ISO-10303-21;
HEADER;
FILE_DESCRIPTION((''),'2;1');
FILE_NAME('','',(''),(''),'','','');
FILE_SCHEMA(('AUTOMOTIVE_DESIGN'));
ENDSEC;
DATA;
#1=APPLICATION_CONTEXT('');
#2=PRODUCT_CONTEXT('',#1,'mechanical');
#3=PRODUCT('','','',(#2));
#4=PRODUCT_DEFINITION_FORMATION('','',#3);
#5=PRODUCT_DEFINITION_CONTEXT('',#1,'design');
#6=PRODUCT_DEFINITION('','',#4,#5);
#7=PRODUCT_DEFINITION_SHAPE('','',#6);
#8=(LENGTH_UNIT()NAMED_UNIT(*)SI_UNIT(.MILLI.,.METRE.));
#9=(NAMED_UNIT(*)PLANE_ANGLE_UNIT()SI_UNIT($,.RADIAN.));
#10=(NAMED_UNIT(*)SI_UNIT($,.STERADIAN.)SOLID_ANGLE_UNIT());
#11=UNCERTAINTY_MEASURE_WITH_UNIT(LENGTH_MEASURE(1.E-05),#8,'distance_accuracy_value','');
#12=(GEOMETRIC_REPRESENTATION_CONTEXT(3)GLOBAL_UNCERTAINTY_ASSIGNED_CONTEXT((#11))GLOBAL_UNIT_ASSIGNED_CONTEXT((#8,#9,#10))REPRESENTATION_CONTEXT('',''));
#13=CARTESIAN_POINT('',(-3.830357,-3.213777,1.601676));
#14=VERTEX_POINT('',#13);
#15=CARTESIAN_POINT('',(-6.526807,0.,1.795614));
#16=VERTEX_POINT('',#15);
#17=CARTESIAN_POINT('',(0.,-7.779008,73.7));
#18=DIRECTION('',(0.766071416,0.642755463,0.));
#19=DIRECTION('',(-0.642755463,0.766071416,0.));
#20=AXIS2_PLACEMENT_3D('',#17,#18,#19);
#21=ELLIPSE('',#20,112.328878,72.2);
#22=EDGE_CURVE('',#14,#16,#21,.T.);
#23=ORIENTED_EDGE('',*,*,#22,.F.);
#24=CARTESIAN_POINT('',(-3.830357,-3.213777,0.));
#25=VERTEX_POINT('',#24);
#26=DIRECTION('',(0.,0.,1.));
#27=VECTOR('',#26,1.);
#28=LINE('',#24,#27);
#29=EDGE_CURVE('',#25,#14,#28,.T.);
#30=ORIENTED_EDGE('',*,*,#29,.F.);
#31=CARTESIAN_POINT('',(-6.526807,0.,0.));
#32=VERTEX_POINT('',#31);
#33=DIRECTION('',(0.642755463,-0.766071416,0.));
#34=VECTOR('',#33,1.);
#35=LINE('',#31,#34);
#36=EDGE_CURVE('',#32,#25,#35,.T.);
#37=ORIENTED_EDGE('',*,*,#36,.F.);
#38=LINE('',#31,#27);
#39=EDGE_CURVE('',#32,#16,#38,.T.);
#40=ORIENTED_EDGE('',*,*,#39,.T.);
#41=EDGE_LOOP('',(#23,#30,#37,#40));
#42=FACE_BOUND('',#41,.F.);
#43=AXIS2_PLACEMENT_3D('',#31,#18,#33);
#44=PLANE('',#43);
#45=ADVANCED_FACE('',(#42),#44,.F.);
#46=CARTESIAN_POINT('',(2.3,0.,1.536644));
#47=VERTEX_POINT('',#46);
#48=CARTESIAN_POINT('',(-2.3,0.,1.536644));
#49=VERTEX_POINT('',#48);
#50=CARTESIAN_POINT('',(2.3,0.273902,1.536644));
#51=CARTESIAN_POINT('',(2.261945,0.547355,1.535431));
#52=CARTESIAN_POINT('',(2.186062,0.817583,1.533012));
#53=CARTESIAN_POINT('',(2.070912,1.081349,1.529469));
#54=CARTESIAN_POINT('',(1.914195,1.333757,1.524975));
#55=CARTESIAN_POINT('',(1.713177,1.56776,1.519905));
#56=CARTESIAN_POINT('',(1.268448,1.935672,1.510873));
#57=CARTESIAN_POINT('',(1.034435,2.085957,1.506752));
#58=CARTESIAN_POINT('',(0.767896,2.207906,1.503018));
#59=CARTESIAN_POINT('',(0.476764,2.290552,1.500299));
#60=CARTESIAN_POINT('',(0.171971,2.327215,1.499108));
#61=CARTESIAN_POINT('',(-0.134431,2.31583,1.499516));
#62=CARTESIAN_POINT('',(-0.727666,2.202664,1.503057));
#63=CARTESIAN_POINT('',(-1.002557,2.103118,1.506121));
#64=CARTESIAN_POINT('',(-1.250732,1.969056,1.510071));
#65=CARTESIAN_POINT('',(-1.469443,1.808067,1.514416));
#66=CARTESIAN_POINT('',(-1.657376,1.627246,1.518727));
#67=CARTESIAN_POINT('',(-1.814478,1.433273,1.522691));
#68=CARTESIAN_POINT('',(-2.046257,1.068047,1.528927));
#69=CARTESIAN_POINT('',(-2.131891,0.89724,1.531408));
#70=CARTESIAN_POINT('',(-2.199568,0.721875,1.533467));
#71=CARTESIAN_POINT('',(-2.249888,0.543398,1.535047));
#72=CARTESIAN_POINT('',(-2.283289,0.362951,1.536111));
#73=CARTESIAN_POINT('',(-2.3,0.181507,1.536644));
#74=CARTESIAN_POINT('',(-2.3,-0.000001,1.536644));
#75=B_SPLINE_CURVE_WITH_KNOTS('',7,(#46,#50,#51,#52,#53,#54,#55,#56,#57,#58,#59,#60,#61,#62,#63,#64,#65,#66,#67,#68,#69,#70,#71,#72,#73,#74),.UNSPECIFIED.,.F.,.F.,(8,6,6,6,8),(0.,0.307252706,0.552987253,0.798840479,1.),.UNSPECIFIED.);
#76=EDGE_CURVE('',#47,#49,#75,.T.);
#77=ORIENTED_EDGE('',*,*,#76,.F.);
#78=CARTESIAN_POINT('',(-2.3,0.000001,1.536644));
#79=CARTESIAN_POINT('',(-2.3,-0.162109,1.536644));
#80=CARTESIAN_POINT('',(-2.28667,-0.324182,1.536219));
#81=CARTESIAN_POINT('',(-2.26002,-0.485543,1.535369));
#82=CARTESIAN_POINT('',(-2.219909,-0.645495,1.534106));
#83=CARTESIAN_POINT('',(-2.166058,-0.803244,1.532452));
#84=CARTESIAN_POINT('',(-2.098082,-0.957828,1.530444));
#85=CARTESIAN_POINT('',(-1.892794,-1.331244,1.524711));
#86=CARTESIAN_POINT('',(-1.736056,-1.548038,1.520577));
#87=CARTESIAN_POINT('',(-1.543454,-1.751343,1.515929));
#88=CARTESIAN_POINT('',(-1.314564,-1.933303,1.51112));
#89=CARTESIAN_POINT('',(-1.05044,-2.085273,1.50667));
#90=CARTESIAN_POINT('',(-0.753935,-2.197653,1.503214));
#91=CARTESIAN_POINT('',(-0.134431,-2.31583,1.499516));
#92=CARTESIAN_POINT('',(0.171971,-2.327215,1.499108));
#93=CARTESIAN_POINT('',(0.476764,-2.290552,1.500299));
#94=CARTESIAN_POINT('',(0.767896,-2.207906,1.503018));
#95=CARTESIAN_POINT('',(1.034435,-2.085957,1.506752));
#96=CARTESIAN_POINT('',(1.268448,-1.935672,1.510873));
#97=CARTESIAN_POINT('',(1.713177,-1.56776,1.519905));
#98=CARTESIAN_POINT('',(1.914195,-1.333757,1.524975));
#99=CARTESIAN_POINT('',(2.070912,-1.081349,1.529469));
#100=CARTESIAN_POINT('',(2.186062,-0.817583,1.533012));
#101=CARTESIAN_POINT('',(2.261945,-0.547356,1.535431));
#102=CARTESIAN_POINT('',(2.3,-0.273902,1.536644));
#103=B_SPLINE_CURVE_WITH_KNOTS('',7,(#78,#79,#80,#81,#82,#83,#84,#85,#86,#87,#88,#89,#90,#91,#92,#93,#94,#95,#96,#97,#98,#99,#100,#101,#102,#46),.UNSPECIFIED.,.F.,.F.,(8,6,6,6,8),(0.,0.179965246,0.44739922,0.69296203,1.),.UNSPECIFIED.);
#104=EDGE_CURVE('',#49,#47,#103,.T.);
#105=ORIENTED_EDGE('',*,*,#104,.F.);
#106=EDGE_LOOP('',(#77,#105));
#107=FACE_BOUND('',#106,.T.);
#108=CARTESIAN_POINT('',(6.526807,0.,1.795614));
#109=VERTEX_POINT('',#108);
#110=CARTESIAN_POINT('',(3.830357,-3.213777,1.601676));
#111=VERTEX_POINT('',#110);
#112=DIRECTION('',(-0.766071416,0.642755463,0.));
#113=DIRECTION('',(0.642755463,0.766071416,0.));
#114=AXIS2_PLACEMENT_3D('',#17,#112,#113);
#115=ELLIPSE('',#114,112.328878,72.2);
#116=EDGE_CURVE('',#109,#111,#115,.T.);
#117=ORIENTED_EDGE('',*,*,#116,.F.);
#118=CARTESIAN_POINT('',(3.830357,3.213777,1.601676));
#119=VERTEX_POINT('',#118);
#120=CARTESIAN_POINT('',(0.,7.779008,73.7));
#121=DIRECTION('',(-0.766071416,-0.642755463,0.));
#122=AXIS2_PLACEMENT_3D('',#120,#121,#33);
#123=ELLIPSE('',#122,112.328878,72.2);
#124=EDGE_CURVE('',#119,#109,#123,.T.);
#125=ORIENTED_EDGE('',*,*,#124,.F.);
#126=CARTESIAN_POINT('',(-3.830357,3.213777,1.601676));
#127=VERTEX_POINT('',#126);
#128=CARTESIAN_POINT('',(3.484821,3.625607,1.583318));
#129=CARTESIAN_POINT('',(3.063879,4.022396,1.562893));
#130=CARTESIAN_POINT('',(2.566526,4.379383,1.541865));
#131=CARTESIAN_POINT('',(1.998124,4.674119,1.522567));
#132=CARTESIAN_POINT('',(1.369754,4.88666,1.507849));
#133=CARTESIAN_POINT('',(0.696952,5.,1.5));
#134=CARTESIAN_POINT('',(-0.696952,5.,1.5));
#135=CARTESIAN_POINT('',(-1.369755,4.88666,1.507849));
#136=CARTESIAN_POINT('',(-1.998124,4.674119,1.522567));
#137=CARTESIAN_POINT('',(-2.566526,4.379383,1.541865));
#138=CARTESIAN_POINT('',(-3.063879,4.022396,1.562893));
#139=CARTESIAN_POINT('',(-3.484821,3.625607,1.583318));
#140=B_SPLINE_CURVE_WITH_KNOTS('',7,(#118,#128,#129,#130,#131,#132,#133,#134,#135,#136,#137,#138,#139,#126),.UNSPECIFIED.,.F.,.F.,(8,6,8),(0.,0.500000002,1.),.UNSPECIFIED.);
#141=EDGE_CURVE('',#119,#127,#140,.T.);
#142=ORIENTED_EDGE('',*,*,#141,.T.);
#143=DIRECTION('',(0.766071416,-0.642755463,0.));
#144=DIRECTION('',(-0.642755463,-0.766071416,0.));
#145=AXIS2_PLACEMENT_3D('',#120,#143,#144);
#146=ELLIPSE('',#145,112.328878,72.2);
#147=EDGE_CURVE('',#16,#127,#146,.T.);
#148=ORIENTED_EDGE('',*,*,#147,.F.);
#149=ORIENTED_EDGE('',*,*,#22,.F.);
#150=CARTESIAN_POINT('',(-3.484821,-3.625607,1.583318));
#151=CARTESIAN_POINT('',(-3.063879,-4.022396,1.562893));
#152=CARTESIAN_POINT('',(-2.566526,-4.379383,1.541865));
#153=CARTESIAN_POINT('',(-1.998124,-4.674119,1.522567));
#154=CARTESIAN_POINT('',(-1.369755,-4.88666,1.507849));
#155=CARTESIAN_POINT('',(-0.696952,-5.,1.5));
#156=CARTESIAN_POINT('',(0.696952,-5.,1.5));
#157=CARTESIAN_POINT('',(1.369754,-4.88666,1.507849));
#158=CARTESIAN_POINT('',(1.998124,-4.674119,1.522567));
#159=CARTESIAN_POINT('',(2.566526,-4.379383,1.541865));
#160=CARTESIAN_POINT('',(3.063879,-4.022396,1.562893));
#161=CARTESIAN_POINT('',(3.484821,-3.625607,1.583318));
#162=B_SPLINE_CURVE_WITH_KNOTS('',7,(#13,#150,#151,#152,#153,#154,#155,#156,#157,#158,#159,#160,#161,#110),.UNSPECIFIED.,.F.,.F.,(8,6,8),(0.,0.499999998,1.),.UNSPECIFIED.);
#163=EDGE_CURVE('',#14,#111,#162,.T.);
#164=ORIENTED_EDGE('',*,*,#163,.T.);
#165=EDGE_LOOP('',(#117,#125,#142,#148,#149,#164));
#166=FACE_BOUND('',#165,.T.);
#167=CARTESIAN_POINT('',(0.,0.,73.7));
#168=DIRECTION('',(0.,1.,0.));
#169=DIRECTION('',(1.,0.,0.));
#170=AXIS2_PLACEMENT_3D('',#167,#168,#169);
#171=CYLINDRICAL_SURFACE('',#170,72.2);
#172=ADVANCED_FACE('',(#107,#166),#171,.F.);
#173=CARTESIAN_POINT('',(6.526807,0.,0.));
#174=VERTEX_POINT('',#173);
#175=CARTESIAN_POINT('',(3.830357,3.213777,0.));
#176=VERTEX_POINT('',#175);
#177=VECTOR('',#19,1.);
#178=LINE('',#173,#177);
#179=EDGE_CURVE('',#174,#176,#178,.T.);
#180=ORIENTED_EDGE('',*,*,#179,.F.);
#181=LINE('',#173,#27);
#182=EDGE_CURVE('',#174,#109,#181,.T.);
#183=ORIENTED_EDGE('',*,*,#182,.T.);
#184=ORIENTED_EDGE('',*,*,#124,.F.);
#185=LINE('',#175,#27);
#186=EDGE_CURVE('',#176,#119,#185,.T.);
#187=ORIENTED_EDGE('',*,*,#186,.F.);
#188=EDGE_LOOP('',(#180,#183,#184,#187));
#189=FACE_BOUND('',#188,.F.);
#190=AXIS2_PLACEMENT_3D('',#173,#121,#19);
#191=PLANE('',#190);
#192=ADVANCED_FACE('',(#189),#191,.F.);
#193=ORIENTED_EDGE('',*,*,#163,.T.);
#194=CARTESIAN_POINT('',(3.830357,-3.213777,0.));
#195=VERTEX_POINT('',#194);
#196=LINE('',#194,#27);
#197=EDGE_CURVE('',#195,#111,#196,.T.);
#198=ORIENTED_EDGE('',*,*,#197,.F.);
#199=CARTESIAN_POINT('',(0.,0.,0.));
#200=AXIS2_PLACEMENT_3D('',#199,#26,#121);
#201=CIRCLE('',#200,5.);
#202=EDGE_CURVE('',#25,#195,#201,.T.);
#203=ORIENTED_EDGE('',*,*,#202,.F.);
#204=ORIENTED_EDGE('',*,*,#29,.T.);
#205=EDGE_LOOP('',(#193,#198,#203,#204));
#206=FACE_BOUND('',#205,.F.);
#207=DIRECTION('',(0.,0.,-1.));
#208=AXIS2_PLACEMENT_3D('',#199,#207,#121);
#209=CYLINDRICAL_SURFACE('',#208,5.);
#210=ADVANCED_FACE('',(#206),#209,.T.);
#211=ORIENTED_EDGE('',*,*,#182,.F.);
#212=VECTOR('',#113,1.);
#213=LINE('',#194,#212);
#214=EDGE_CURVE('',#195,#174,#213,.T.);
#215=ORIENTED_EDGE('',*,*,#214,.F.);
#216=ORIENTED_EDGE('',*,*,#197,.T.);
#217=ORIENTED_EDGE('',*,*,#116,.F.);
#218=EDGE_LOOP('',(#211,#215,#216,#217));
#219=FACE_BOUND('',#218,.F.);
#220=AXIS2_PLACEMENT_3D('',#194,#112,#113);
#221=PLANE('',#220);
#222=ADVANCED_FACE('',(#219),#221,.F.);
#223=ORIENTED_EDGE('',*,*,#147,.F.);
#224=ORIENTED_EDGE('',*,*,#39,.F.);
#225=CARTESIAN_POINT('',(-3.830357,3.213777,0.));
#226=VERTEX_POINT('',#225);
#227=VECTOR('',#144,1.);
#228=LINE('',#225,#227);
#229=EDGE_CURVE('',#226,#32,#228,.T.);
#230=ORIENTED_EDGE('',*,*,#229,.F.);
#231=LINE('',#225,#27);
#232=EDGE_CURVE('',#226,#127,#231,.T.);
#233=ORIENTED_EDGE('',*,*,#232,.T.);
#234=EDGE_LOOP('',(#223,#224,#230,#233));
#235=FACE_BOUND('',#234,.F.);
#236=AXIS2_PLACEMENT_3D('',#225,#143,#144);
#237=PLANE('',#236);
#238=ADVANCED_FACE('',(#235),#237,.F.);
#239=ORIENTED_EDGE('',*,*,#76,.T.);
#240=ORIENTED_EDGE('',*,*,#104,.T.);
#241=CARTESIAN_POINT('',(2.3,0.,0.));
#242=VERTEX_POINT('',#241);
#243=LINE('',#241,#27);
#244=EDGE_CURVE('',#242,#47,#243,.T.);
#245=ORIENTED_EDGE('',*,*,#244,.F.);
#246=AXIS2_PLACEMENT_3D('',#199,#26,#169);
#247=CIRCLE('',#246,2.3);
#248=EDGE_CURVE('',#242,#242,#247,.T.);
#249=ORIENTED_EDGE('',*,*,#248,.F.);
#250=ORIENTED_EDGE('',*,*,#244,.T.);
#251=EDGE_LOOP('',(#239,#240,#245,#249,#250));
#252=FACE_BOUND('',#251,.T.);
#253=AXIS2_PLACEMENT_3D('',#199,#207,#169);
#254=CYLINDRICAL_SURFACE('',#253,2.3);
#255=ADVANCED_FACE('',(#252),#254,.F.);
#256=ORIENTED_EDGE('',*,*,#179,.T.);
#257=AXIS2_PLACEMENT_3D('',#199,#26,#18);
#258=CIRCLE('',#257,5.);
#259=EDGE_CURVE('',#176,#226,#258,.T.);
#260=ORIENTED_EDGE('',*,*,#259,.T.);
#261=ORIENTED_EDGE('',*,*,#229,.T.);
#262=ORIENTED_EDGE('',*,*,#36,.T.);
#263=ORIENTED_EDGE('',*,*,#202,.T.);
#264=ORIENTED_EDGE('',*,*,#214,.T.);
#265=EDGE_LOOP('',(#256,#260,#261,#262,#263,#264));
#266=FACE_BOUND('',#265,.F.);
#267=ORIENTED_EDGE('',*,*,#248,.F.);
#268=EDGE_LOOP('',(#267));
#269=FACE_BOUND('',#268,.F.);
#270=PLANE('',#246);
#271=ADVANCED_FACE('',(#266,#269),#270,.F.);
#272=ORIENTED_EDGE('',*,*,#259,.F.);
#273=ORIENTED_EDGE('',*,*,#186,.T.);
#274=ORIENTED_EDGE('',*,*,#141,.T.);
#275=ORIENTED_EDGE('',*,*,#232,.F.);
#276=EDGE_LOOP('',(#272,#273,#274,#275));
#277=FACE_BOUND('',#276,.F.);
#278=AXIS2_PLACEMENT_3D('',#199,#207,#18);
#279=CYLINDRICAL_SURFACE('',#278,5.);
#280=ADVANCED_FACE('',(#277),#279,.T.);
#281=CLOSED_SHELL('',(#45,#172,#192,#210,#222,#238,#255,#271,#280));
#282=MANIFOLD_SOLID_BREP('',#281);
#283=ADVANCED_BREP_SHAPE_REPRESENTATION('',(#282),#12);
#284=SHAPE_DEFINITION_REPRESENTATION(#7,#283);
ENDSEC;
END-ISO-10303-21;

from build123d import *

# Parameters (mm, degrees)
F0_R          = 2.3
F1_DEPTH      = 3
F2_R          = 72.2
F3_DEPTH      = 25
F3_DEPTH_BACK = 25


with BuildPart() as f1:
    # F0 (on Top) → F1 (new body)
    with BuildSketch(Plane.XY):
        with BuildLine():
            Line((-6.5268066341, 0), (-3.8303570799, -3.2137773166))
            ThreePointArc((-3.8303570799, -3.2137773166), (0, -5), (3.8303570799, -3.2137773166))
            Line((3.8303570799, -3.2137773166), (6.5268066341, 0))
            Line((6.5268066341, 0), (3.8303570799, 3.2137773166))
            ThreePointArc((3.8303570799, 3.2137773166), (0, 5), (-3.8303570799, 3.2137773166))
            Line((-3.8303570799, 3.2137773166), (-6.5268066341, 0))
        make_face()
        Circle(F0_R, mode=Mode.SUBTRACT)
    extrude(amount=F1_DEPTH)

    # F2 (on Front) → F3 (cut, two sides)
    with BuildSketch(Plane.XZ) as f3_sk:
        with Locations((0, 73.7)):
            Circle(F2_R)
    extrude(amount=-F3_DEPTH, mode=Mode.SUBTRACT)
    extrude(f3_sk.sketch, amount=F3_DEPTH_BACK, mode=Mode.SUBTRACT)


solid = f1.part
